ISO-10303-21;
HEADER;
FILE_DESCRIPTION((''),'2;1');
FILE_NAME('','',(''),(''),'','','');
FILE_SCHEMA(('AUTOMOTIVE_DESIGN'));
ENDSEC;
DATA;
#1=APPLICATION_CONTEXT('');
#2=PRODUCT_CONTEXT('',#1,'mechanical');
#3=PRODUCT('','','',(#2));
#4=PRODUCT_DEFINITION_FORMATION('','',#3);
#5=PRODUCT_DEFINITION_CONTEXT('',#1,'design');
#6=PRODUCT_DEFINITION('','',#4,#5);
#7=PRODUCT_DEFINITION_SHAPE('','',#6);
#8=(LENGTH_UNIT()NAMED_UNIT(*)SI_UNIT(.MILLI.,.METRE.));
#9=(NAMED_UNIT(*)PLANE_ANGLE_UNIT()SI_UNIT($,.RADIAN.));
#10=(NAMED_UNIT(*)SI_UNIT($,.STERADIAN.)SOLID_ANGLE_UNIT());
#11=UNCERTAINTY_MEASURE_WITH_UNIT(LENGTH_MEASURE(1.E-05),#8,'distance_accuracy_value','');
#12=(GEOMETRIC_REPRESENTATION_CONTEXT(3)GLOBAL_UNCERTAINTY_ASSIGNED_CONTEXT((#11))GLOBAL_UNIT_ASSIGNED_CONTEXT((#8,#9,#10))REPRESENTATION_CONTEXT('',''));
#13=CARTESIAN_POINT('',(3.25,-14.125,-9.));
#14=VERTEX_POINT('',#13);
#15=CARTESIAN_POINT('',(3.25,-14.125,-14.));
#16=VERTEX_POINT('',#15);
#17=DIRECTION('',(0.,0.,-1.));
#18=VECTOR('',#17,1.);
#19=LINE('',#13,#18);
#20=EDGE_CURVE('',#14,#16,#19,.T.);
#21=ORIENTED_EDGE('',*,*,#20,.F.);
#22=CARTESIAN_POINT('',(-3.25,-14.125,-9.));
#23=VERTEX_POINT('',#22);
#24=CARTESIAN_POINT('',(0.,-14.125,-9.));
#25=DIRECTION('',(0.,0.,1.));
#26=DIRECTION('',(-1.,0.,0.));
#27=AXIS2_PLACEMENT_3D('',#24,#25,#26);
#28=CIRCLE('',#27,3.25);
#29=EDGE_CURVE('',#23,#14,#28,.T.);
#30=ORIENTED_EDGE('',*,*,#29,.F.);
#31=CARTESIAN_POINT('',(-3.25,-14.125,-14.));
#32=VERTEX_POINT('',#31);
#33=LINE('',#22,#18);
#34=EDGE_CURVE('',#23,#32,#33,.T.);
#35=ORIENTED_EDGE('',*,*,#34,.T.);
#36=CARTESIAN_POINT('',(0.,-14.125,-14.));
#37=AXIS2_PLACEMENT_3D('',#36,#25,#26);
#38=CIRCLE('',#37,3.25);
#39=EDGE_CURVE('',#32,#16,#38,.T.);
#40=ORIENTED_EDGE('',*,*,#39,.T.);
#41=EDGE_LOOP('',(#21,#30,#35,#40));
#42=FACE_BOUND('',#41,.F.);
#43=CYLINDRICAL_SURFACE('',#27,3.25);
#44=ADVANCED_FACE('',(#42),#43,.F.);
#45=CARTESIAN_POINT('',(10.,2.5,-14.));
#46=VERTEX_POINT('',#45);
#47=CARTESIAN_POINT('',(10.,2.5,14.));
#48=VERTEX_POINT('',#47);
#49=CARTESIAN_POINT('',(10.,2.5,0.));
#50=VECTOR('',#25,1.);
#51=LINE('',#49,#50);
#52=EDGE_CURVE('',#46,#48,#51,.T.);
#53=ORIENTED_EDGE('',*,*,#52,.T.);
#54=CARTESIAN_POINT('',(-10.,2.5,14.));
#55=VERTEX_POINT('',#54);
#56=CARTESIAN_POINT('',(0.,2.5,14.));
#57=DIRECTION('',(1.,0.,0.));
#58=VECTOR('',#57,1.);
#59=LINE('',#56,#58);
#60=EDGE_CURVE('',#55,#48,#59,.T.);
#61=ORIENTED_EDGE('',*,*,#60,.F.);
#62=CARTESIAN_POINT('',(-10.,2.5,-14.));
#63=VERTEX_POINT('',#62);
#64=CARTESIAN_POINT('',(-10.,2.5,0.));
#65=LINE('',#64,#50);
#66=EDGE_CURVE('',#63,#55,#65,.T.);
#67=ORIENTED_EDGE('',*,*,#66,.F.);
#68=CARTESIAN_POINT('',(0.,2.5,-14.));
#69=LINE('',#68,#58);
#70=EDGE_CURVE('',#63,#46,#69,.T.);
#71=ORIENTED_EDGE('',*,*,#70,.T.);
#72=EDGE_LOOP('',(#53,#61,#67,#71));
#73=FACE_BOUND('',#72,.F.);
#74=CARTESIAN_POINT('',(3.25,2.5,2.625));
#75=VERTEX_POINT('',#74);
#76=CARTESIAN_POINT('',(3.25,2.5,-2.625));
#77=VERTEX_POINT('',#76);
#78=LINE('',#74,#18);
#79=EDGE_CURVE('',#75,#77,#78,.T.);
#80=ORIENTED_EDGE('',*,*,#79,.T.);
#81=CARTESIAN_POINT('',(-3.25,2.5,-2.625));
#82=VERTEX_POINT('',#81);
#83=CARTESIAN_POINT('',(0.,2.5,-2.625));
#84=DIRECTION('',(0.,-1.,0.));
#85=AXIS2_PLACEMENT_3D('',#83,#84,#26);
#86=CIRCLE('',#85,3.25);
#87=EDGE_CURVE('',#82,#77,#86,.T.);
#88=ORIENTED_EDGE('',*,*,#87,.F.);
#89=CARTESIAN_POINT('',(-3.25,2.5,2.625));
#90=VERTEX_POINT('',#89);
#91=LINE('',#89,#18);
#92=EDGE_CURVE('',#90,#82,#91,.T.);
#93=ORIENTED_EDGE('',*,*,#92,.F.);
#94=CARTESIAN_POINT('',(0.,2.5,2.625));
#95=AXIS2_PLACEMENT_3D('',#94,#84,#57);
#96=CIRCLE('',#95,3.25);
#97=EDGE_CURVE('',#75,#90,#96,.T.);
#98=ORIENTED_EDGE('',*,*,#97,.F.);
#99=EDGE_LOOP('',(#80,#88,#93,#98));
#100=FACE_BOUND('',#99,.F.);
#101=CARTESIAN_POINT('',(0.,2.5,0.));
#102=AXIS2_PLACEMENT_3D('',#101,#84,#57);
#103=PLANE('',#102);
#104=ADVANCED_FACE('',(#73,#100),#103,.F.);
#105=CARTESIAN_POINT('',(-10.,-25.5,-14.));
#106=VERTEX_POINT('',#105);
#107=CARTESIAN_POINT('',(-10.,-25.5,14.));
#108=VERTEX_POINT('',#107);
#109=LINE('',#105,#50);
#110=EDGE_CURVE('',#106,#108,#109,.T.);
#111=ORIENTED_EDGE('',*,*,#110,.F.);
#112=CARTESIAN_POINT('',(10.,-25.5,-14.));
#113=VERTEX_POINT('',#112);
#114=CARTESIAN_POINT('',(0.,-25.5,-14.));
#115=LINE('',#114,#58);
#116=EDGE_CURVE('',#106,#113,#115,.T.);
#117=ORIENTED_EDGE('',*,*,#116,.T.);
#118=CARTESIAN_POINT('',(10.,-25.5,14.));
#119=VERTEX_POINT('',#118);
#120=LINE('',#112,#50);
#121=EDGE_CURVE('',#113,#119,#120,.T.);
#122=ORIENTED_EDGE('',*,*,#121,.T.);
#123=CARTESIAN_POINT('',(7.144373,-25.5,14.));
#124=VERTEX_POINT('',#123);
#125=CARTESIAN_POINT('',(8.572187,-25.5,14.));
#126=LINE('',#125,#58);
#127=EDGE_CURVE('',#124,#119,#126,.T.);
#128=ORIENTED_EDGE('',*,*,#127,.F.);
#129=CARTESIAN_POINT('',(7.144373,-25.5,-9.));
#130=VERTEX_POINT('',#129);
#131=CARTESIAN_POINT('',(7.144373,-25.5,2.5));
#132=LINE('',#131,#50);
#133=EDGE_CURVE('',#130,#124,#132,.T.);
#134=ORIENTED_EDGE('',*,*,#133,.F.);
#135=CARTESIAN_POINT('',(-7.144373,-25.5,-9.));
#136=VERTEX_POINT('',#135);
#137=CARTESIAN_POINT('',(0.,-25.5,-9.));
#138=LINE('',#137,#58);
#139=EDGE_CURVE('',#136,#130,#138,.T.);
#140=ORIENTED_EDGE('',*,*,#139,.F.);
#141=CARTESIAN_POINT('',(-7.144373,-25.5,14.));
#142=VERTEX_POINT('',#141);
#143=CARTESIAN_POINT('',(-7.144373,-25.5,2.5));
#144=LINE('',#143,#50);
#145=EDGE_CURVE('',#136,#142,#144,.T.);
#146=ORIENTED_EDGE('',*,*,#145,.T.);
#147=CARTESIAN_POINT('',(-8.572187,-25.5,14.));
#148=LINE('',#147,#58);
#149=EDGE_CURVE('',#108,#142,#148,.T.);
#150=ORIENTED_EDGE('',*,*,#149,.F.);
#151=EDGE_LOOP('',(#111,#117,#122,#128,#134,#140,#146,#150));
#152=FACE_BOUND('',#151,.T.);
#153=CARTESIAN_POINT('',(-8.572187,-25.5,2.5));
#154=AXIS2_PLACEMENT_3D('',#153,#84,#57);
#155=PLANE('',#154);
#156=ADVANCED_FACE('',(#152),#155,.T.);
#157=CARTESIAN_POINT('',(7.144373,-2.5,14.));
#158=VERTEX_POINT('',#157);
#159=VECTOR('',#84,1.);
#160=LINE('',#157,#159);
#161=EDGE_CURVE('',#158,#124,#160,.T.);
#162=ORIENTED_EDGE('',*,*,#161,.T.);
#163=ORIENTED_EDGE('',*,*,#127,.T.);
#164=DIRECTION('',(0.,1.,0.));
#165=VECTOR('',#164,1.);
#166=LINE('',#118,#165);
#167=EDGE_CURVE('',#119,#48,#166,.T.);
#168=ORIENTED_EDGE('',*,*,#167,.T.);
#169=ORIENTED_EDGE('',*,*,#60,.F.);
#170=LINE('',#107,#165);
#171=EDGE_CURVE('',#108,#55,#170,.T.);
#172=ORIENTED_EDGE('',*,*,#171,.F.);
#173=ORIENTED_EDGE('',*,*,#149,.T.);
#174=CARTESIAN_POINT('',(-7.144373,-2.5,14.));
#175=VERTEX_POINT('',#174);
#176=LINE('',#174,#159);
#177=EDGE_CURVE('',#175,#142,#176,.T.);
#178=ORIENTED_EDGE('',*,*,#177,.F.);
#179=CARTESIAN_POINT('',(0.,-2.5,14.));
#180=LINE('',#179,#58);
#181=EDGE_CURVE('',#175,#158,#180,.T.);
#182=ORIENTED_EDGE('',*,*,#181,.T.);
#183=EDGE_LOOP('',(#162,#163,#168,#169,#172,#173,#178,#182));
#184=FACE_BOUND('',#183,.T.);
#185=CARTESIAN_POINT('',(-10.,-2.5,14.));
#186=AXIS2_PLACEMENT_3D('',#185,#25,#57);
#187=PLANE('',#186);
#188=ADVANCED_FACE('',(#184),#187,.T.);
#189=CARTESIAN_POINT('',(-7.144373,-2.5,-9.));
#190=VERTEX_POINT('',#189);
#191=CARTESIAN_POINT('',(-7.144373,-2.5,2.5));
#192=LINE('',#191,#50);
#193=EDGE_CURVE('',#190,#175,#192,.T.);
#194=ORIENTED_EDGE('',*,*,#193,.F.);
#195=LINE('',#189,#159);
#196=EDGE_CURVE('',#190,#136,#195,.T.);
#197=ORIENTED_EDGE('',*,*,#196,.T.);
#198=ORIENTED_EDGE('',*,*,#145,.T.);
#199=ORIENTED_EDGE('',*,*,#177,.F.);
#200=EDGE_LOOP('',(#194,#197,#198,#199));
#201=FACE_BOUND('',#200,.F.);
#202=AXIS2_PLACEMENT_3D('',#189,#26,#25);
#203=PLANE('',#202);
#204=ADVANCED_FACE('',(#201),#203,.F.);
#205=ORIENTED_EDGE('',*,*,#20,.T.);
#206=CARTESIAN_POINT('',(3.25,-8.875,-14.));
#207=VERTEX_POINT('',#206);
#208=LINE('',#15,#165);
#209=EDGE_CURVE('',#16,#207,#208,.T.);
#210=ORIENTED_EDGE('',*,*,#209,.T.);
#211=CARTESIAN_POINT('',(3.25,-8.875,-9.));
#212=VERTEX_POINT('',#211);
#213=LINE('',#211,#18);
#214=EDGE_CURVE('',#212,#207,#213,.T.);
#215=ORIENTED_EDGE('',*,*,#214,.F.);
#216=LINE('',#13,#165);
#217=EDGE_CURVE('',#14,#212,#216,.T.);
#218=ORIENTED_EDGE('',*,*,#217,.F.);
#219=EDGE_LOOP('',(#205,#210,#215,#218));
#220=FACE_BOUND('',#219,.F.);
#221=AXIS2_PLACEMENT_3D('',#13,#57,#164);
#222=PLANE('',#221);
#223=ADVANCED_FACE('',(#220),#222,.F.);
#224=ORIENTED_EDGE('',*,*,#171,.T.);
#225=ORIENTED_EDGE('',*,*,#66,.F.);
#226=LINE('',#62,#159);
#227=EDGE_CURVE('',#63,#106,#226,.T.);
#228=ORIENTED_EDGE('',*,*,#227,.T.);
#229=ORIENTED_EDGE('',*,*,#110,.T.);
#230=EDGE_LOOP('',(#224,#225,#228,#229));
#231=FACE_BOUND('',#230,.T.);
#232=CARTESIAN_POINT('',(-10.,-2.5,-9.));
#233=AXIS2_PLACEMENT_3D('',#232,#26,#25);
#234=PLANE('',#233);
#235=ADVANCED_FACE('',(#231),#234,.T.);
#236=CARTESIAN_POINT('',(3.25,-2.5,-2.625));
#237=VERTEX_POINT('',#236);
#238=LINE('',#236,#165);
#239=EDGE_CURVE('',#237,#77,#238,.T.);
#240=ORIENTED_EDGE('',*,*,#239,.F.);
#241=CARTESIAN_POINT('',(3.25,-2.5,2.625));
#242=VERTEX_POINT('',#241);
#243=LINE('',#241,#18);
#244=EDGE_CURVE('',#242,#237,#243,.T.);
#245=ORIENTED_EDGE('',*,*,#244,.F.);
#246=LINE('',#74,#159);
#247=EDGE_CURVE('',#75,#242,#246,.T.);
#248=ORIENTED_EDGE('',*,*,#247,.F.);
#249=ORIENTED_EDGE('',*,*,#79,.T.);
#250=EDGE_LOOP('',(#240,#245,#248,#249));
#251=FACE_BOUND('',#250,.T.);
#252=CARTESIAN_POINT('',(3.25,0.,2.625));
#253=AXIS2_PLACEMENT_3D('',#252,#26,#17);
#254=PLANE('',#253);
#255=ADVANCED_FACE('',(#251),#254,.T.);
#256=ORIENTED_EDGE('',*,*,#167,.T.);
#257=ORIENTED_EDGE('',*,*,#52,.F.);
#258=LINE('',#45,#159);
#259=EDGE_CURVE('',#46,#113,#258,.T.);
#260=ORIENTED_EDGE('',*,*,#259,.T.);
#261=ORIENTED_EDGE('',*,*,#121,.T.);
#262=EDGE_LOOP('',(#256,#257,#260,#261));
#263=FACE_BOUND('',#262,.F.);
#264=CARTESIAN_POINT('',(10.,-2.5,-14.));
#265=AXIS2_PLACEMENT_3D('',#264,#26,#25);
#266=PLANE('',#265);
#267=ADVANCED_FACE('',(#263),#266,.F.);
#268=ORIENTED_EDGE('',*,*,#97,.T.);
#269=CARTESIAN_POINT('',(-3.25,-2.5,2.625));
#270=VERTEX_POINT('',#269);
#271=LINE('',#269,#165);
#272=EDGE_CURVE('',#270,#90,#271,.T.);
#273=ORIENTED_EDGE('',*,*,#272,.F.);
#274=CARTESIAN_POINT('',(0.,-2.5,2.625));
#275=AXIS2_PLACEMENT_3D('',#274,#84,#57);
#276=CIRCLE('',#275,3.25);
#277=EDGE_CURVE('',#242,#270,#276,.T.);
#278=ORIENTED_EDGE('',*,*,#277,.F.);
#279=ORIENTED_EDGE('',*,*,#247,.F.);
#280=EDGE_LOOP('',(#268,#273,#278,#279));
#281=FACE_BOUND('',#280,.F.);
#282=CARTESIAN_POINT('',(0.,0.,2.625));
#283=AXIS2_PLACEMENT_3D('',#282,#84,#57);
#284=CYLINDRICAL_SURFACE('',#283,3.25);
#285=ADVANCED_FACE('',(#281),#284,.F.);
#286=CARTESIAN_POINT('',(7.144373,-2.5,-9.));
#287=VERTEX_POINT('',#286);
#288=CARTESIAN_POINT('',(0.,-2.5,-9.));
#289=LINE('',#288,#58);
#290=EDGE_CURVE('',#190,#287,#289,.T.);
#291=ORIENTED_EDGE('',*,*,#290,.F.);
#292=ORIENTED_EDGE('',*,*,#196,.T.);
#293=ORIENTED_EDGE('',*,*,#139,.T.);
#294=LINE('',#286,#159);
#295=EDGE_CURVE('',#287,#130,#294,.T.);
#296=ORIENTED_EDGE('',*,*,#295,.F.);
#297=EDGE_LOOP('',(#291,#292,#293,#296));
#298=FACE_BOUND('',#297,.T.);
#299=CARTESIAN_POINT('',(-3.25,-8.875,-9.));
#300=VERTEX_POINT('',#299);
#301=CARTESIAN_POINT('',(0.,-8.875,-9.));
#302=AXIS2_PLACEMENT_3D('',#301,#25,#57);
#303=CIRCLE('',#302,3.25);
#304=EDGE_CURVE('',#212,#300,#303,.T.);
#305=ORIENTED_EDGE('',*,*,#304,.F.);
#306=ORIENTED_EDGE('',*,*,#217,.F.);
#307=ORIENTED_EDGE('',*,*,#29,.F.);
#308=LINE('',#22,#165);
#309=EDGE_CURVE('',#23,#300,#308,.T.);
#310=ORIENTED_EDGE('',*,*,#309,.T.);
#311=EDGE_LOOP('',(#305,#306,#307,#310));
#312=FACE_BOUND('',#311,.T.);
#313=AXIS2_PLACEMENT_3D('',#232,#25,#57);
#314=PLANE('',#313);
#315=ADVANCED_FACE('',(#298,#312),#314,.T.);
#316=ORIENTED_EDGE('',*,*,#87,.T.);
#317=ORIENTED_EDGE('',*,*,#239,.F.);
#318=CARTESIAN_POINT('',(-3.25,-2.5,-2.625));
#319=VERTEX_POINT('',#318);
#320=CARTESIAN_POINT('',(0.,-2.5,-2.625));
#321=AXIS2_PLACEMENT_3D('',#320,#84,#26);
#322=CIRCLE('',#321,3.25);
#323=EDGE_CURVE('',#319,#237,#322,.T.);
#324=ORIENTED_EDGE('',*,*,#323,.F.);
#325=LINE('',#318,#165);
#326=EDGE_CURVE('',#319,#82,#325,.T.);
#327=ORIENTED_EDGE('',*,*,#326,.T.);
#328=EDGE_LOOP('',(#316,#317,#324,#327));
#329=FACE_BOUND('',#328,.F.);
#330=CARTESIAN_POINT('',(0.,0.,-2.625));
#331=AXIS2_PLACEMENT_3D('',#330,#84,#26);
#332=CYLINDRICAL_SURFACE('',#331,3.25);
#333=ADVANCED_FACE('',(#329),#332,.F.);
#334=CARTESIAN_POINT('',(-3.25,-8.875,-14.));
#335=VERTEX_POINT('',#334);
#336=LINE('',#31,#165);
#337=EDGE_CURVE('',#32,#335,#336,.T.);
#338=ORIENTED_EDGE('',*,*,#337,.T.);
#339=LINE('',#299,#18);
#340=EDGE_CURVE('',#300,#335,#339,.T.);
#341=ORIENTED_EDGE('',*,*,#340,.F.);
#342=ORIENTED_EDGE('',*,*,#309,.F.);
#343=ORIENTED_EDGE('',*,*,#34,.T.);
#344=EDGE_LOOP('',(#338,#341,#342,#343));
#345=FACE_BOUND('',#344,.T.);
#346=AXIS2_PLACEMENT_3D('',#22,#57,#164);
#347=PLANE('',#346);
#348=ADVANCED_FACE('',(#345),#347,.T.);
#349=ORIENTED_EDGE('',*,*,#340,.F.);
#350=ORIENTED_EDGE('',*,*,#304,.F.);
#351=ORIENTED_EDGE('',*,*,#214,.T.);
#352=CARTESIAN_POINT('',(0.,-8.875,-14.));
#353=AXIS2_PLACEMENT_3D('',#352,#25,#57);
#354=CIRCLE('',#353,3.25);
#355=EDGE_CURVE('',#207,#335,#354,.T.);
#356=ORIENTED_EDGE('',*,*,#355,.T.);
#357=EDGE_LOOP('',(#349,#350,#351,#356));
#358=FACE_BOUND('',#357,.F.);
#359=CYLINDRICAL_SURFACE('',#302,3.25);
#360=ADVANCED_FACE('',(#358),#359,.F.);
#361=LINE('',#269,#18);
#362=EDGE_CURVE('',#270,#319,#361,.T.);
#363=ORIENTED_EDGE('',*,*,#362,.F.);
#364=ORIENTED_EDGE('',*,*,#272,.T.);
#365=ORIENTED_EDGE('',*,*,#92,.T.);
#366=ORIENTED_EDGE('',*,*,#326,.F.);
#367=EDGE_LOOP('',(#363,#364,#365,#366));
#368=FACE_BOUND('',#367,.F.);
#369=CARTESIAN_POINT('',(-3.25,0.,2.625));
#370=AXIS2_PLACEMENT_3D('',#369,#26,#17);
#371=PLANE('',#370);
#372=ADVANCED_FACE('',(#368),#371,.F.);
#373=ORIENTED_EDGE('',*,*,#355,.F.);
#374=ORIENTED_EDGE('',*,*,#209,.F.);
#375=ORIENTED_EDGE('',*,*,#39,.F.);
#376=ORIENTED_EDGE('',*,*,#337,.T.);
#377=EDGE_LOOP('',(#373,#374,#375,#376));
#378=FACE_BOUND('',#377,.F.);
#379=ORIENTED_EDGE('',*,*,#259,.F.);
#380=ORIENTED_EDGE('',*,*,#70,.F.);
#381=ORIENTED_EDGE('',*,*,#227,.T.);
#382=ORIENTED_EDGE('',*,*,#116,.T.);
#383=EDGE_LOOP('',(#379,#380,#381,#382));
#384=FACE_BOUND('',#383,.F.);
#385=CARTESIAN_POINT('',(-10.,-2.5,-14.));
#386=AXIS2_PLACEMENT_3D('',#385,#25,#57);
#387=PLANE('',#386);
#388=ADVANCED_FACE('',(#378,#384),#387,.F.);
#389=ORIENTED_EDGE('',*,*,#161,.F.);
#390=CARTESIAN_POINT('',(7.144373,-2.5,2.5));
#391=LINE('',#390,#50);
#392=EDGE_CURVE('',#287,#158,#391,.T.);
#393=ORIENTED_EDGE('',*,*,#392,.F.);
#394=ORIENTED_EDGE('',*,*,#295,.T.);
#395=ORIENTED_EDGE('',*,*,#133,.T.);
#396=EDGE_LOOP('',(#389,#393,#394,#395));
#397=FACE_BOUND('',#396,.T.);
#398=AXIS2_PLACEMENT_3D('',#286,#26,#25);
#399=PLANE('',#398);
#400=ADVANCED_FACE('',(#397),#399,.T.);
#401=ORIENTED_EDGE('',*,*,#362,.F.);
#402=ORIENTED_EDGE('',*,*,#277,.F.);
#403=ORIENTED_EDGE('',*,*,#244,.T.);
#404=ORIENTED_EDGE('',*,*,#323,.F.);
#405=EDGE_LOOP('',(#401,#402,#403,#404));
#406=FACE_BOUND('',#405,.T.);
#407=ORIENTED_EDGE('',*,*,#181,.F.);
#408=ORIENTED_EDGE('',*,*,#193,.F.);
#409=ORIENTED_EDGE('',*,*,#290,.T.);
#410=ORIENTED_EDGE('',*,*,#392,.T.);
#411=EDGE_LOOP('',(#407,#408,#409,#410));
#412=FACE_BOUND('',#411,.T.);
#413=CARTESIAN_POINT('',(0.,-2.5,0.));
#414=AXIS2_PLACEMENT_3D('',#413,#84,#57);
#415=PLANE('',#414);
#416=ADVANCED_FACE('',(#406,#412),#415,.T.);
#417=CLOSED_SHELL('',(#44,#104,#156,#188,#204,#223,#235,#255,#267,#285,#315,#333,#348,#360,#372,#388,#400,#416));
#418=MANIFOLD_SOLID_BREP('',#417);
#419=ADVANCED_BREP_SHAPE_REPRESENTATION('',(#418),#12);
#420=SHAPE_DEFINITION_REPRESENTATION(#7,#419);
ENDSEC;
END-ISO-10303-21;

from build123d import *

# Parameters (mm, degrees)
SKETCH001_W  = 20
SKETCH001_H  = 28
PAD001_DEPTH = 2.5
SKETCH002_W  = 20
SKETCH002_H  = 5
PAD002_DEPTH = 23
POCKET_DEPTH = 5
SKETCH004_W  = 2.855627
SKETCH004_H  = 23
PAD003_DEPTH = 23


with BuildPart() as part:
    # Sketch001 → Pad001 (new body, symmetric)
    with BuildSketch(Plane.XZ):
        Rectangle(SKETCH001_W, SKETCH001_H)
        with BuildLine():
            ThreePointArc((3.25, 2.625), (0, 5.875), (-3.25, 2.625))
            Line((-3.25, 2.625), (-3.25, -2.625))
            ThreePointArc((-3.25, -2.625), (0, -5.875), (3.25, -2.625))
            Line((3.25, 2.625), (3.25, -2.625))
        make_face(mode=Mode.SUBTRACT)
    extrude(amount=PAD001_DEPTH, both=True)

    # Sketch002 (on Face10 of Pad001) → Pad002 (join)
    with BuildSketch(Plane.XZ.offset(2.5)):
        with Locations((0, -11.5)):
            Rectangle(SKETCH002_W, SKETCH002_H)
    extrude(amount=PAD002_DEPTH)

    # Sketch003 (on Face13 of Pad002) → Pocket (cut)
    with BuildSketch(Plane(origin=(0, 0, -9), x_dir=(-1, 0, 0), z_dir=(0, 0, 1))):
        with BuildLine():
            ThreePointArc((3.25, 14.125), (0, 17.375), (-3.25, 14.125))
            Line((-3.25, 14.125), (-3.25, 8.875))
            ThreePointArc((-3.25, 8.875), (0, 5.625), (3.25, 8.875))
            Line((3.25, 14.125), (3.25, 8.875))
        make_face()
    extrude(amount=-POCKET_DEPTH, mode=Mode.SUBTRACT)

    # Sketch004 (on Face5 of Pocket) → Pad003 (join)
    with BuildSketch(Plane.XZ.offset(2.5)):
        with Locations((-8.5721865, 2.5)):
            Rectangle(SKETCH004_W, SKETCH004_H)
        with Locations((8.5721865, 2.5)):
            Rectangle(SKETCH004_W, SKETCH004_H)
    extrude(amount=PAD003_DEPTH)


solid = part.part
